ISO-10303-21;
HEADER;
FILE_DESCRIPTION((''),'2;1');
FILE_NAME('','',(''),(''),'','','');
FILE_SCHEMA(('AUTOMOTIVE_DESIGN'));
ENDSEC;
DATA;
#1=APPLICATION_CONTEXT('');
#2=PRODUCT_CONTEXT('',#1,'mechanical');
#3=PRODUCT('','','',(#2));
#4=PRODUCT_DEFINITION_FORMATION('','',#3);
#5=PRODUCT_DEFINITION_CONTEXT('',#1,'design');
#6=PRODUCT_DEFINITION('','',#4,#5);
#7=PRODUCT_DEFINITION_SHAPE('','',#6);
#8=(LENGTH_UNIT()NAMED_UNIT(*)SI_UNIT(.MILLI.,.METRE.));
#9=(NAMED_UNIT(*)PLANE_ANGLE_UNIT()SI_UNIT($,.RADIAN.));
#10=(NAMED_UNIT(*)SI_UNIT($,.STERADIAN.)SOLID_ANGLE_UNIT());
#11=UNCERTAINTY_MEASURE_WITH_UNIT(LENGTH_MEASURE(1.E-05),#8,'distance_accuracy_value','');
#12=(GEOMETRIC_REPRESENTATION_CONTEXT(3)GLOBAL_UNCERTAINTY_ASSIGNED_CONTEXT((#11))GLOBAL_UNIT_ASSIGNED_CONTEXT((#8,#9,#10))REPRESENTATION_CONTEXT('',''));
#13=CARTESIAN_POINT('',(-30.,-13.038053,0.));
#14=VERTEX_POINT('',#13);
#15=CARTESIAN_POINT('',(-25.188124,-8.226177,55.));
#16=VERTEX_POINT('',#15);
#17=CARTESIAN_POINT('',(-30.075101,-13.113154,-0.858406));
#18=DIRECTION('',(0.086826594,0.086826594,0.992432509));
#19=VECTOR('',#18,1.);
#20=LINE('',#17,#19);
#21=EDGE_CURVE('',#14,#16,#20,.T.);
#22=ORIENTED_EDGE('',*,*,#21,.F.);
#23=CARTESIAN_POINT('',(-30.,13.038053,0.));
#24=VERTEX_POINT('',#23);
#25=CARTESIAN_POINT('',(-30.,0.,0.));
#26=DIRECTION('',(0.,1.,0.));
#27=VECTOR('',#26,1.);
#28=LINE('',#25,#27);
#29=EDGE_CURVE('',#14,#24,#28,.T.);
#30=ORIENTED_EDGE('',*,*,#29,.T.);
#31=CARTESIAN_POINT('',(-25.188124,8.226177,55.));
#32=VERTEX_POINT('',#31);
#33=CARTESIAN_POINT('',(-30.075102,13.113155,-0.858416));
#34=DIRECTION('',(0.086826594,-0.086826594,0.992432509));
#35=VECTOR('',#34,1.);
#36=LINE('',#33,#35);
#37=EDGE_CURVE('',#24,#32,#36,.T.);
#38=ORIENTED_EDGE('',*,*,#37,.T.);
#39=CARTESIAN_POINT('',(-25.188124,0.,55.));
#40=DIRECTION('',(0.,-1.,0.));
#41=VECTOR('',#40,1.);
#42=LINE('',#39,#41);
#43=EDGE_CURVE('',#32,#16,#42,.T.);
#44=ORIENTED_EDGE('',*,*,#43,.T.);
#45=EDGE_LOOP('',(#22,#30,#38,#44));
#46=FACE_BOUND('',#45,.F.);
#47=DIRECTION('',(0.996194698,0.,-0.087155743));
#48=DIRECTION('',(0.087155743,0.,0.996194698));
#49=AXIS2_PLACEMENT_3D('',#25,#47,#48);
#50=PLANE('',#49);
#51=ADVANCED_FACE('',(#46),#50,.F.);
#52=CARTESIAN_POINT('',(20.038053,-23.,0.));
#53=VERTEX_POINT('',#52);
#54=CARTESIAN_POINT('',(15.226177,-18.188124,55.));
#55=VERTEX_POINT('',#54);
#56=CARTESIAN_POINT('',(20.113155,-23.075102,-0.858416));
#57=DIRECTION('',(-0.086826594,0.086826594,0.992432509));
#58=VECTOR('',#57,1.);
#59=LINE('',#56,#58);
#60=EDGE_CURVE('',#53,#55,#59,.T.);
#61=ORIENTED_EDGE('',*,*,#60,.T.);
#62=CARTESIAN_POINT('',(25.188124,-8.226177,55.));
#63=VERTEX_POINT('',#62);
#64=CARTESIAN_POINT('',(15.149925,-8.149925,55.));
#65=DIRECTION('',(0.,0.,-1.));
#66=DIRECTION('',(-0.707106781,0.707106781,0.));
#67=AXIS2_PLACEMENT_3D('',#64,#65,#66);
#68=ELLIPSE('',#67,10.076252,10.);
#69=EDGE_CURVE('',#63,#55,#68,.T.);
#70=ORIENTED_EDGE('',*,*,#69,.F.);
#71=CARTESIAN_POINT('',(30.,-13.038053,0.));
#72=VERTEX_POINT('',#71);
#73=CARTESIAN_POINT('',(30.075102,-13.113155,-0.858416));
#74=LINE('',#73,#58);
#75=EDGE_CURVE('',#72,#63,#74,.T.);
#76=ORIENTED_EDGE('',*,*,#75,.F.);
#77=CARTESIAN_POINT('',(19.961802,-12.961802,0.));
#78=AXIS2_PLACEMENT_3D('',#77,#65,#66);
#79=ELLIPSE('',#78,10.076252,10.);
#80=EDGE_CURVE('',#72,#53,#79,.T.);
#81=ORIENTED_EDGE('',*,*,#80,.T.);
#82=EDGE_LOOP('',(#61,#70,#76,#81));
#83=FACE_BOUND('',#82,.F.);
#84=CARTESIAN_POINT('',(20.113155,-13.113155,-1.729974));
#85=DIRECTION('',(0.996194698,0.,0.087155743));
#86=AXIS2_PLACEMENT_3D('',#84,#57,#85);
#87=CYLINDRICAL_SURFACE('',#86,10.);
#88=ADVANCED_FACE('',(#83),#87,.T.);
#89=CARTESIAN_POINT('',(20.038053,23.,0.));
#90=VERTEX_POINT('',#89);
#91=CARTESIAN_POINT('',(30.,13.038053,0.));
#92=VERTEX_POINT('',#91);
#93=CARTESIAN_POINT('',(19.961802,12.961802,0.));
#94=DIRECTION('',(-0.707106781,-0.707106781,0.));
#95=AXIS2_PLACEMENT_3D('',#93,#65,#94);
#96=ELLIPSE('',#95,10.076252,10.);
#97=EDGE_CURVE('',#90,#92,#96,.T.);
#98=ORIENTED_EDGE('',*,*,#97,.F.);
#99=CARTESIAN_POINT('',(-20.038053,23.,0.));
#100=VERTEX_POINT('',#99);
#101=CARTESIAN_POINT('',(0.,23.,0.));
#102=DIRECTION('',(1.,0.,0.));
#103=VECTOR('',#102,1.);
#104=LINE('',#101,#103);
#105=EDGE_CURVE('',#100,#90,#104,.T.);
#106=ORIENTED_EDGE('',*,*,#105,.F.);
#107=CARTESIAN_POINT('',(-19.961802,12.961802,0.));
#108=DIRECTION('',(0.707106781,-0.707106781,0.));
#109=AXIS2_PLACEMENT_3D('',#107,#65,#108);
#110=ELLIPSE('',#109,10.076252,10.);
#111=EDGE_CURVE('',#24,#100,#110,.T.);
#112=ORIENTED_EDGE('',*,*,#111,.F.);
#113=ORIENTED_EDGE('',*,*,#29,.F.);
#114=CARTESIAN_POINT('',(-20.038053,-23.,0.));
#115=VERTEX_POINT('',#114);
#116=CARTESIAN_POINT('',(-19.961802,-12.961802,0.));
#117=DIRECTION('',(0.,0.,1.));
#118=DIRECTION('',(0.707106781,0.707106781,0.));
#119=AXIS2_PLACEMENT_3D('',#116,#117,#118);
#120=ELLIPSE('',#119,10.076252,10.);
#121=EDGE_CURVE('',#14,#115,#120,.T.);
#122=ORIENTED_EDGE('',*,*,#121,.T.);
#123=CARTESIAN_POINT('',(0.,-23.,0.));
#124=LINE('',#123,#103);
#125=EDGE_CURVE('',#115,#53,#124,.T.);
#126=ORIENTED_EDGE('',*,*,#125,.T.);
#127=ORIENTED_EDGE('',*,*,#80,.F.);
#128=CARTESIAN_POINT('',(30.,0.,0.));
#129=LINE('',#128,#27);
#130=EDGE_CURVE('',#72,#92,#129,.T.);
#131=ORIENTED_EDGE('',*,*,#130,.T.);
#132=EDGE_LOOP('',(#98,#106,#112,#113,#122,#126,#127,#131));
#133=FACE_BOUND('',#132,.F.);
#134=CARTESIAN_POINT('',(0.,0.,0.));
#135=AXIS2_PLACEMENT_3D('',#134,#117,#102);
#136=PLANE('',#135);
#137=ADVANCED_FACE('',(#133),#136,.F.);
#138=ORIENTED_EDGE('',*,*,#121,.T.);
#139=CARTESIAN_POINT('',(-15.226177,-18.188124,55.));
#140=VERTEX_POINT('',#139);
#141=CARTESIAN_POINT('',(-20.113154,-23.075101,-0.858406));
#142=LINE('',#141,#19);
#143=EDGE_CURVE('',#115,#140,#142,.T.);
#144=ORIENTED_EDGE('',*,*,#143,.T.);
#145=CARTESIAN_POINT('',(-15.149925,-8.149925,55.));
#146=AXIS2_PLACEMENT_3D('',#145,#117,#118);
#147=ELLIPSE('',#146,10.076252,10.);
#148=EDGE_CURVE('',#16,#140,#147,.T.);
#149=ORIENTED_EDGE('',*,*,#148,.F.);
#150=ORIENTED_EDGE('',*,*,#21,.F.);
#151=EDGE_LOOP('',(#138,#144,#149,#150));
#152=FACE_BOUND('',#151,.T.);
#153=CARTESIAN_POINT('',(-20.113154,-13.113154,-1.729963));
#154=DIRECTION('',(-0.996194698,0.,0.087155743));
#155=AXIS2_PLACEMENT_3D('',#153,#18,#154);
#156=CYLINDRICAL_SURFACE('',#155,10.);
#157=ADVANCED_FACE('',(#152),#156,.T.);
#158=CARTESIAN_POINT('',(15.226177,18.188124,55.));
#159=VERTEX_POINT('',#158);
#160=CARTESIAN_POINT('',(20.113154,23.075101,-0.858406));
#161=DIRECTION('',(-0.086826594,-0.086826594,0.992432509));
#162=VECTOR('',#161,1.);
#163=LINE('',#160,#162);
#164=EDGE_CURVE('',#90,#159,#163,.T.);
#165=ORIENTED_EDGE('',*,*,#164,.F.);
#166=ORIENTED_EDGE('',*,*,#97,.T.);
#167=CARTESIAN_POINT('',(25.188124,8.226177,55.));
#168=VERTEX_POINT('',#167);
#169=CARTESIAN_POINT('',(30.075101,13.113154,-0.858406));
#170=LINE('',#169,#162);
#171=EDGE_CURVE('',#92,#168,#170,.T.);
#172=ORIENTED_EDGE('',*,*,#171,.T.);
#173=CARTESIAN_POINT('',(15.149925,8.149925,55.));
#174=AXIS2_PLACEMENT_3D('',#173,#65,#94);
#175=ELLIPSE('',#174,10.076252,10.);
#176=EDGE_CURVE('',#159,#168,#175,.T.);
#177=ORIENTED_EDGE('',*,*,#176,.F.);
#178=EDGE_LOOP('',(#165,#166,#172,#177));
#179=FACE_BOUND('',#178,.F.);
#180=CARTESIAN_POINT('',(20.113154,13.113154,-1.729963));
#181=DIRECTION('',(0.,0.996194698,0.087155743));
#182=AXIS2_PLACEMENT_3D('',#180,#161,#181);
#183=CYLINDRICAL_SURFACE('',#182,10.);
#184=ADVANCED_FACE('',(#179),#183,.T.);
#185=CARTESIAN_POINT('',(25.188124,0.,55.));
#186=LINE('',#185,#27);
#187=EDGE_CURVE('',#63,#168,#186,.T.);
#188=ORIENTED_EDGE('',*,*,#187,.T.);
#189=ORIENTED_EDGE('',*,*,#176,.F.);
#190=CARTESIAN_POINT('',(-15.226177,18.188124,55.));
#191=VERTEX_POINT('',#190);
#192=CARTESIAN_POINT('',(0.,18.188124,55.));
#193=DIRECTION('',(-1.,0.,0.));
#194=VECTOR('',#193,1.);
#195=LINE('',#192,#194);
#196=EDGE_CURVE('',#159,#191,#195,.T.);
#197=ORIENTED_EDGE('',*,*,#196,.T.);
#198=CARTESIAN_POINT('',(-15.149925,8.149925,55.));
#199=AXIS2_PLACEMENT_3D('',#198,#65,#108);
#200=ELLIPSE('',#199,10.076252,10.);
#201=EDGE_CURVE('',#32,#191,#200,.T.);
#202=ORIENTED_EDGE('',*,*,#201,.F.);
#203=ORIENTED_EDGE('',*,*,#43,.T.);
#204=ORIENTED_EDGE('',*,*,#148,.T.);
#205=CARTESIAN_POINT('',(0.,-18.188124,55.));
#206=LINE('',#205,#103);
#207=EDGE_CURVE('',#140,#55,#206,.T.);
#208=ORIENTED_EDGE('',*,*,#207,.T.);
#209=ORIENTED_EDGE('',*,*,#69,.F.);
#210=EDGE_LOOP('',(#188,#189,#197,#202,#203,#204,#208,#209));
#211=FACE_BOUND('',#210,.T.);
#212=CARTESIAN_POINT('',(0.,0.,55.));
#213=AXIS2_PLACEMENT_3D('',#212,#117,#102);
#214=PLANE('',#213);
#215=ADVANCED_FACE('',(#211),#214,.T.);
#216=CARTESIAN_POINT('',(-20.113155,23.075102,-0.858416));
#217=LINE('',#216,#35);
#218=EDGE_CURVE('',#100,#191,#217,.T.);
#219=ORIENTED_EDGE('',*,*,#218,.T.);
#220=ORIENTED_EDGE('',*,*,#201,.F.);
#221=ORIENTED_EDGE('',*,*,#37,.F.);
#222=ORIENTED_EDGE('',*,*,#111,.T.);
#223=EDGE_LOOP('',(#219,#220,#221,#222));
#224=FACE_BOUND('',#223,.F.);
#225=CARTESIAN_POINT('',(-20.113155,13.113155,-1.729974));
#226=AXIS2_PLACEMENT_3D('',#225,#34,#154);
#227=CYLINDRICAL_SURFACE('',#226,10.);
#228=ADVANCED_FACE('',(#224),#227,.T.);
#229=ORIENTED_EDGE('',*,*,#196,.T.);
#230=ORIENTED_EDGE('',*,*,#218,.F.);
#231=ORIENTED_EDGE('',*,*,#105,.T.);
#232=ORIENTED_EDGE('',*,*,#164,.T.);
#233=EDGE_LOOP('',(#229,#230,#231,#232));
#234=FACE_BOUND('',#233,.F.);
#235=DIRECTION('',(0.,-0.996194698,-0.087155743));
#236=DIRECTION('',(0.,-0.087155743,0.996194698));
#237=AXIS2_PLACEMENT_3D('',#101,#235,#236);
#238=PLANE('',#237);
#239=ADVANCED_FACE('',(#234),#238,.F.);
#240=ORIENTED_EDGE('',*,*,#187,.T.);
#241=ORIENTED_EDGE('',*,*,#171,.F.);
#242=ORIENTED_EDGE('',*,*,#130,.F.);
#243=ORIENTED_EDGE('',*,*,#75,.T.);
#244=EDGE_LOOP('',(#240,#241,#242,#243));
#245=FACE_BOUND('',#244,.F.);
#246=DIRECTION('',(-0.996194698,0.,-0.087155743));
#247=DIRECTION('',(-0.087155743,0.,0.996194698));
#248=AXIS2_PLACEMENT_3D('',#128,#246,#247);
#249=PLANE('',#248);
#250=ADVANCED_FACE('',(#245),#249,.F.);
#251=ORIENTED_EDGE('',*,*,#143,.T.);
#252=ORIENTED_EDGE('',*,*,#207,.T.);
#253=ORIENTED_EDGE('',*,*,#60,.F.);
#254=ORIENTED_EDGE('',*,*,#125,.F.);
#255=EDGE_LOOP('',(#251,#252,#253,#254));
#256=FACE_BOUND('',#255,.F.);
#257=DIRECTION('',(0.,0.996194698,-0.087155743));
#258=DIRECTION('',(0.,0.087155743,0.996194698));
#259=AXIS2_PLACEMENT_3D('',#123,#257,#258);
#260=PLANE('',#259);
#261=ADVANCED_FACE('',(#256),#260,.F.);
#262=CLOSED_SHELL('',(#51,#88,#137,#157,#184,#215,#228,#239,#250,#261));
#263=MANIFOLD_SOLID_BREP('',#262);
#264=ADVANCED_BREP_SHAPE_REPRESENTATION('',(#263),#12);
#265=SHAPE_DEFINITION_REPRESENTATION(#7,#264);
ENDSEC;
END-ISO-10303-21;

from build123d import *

# Parameters (mm, degrees)
F0_W     = 60
F0_H     = 46
F1_DEPTH = 55
F1_TAPER = 5
F2_R     = 10


with BuildPart() as f1:
    # F0 (on Top) → F1 (new body)
    with BuildSketch(Plane.XY):
        Rectangle(F0_W, F0_H)
    extrude(amount=F1_DEPTH, taper=F1_TAPER)

    # F2
    f2_edges = [f1.edges().sort_by_distance(p)[0] for p in [
        (-27.594061, -20.594061, 27.500005),
        (27.594062, -20.594062, 27.5),
        (-27.594062, 20.594062, 27.5),
        (27.594061, 20.594061, 27.500005),
    ]]
    fillet(f2_edges, radius=F2_R)


solid = f1.part
